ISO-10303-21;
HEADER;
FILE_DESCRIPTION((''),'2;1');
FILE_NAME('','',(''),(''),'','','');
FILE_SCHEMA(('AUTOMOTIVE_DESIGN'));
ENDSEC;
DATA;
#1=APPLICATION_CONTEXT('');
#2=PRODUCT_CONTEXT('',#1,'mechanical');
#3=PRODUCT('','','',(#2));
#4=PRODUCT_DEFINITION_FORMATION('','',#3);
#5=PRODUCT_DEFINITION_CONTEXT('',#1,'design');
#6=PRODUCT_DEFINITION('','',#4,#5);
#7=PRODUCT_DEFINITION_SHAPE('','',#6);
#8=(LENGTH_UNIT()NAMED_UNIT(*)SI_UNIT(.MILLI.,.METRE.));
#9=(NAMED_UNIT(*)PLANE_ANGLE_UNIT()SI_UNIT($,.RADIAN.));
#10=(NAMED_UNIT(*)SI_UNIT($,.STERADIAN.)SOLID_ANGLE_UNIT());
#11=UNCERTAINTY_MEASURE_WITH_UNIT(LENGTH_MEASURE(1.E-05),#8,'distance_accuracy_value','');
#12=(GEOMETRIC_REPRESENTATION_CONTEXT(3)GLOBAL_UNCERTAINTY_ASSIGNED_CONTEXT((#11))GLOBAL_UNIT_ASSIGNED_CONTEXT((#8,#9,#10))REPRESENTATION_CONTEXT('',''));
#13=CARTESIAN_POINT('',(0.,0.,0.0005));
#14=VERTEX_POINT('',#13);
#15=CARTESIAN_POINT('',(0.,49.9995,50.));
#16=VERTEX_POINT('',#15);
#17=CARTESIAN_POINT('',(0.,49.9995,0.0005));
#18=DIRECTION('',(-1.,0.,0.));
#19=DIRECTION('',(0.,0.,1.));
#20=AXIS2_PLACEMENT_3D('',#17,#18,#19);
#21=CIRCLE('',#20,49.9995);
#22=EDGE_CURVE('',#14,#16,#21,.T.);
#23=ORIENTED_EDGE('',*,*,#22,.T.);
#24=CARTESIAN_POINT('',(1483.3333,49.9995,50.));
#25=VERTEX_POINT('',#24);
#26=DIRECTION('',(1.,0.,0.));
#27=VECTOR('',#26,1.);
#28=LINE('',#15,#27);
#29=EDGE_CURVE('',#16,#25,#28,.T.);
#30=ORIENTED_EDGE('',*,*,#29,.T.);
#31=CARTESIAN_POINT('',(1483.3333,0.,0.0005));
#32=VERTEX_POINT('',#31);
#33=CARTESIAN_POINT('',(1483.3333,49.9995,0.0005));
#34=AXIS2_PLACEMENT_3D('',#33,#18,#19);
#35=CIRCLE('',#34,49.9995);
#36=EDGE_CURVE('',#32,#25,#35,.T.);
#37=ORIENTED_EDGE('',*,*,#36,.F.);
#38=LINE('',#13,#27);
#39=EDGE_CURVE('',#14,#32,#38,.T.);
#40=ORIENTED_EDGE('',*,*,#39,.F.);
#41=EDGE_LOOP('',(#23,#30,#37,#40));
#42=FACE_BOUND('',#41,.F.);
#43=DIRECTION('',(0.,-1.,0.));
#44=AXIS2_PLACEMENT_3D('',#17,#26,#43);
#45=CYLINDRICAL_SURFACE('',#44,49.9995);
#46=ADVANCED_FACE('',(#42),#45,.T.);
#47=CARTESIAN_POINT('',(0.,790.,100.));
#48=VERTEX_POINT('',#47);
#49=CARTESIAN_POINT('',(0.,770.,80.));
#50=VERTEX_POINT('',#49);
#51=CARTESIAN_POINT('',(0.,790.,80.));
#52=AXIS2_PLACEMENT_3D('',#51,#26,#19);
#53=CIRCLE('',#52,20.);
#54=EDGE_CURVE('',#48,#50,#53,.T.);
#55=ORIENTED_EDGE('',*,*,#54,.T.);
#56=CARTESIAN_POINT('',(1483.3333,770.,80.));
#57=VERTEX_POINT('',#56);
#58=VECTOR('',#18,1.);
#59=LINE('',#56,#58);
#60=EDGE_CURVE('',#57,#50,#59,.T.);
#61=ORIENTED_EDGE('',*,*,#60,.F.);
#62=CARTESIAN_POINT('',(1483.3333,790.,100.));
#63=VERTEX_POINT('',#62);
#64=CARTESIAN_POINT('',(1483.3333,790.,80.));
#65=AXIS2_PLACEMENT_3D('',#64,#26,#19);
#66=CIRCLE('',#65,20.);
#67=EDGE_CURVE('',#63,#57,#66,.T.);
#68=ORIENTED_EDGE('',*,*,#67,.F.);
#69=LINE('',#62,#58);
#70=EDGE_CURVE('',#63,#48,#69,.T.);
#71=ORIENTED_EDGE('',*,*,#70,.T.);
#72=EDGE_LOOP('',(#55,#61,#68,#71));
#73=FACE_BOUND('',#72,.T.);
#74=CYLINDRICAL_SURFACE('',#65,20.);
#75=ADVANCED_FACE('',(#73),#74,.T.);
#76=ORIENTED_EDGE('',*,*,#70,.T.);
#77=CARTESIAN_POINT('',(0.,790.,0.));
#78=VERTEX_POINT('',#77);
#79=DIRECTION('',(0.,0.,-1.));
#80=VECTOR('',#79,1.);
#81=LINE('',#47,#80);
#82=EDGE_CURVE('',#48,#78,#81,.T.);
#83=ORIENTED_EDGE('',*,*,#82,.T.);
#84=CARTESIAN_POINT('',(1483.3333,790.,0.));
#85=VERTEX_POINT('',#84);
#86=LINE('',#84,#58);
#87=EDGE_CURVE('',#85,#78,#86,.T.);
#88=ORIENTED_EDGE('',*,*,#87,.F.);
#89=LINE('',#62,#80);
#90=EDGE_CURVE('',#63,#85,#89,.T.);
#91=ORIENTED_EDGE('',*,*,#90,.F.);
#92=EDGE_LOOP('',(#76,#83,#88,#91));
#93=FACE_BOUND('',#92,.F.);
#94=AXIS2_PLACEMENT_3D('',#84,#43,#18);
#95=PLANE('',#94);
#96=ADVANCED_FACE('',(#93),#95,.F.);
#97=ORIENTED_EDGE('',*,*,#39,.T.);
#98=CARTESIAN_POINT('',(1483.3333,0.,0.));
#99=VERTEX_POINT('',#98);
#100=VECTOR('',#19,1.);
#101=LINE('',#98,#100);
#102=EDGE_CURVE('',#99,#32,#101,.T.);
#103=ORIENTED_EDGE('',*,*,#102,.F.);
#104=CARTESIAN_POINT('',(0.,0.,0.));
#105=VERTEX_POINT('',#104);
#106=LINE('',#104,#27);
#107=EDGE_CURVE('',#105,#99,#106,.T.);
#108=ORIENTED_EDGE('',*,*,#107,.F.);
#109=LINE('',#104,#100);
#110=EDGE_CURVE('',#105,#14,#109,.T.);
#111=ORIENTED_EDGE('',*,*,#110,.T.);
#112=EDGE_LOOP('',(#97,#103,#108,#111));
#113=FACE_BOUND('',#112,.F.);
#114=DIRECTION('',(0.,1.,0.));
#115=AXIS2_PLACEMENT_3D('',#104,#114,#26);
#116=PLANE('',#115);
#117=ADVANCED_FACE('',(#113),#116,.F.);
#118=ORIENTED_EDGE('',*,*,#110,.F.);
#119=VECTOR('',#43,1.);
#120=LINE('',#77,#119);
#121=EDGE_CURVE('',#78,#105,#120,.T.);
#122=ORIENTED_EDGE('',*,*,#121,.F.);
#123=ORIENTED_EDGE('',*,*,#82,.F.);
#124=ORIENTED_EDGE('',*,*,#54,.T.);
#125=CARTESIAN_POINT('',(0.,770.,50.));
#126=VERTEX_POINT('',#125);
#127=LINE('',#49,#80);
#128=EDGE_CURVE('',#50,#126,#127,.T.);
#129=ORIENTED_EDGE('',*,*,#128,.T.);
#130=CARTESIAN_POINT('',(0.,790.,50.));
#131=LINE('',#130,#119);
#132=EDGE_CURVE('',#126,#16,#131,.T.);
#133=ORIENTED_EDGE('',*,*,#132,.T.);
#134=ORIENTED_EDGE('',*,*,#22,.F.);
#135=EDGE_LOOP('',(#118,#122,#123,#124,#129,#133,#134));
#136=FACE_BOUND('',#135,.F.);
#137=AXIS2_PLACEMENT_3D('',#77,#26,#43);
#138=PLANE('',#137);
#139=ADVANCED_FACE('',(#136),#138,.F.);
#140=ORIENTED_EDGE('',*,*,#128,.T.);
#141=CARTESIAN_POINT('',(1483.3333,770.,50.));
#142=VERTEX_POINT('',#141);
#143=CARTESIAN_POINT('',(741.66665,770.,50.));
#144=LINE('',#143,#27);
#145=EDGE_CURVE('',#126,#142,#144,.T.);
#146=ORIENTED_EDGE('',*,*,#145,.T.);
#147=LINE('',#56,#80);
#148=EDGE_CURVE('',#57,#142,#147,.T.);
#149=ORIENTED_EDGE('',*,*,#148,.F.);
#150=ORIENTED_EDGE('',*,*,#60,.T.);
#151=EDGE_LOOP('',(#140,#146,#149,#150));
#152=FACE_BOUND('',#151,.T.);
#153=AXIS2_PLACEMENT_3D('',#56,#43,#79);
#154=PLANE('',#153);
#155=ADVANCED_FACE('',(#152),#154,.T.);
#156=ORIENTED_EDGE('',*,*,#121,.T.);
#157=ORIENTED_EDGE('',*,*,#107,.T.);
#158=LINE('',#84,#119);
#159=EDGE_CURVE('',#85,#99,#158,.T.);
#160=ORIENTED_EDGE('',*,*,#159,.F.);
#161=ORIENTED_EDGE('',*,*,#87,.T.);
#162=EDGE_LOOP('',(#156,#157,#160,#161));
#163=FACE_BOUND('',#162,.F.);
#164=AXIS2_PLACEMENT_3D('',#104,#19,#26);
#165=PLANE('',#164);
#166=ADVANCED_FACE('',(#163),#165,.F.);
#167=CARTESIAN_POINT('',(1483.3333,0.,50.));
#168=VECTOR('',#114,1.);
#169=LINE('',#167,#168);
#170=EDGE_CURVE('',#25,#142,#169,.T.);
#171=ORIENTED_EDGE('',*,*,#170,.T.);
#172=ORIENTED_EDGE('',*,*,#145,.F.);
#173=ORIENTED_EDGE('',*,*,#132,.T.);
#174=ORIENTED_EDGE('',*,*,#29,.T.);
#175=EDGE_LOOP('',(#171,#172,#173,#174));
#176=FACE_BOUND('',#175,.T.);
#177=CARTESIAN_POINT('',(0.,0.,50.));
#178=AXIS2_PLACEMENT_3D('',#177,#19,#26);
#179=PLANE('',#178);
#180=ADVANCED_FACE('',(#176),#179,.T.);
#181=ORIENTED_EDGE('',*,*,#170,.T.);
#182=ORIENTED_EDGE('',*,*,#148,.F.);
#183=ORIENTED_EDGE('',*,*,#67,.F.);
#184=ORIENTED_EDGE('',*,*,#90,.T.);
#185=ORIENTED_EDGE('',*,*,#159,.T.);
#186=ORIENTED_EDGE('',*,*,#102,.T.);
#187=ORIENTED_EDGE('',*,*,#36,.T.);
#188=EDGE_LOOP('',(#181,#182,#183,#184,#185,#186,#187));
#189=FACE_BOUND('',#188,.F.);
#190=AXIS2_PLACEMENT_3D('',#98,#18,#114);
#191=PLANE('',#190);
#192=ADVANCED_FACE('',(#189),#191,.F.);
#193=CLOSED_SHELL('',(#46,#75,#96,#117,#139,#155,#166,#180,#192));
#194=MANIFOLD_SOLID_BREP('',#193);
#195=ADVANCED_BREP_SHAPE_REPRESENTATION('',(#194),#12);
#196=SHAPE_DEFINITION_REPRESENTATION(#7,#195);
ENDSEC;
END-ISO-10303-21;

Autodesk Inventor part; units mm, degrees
ref_plane "YZ Plane" through (0, 0, 0) normal (1, 0, 0) x (0, 1, 0)
ref_plane "XZ Plane" through (0, 0, 0) normal (0, 1, 0) x (-1, 0, 0)
ref_plane "XY Plane" through (0, 0, 0) normal (0, 0, 1) x (1, 0, 0)
sketch "Sketch1" plane through (0, 0, 0) normal (0, 0, 1) x (1, 0, 0)
  line L0 (0, 0) -> (1483.3333, 0)
  line L1 (1483.3333, 0) -> (1483.3333, 790)
  line L2 (1483.3333, 790) -> (0, 790)
  line L3 (0, 790) -> (0, 0)
  dimension "ancho" = 1483.3333
  dimension "d1" = 790
extrude "Extrusion1" add sketch "Sketch1" along normal blind 50
fillet "Fillet1" radius 50 1 edges at (741.6667, 0, 50)
sketch "Sketch2" plane through (1483.3333, 790, 50) normal (1, 0, 0) x (0, 0, -1)
  line L0 (50, 0) -> (-50, 0)
  line L1 (-50, 0) -> (-50, 0)
  line L2 (-30, -20) -> (50, -20)
  line L3 (50, -20) -> (50, 0)
  arc A0 (-50, 0) -> (-30, -20) centre (-30, 0) ccw
  point P0 (50, -790)
  point P1 (-50, -20)
  dimension "d5" = 100
  dimension "d6" = 20
  dimension "d7" = 20
extrude "Extrusion2" add sketch "Sketch2" against normal up to surface (1483.3333 mm away)
properties part number "meson"
